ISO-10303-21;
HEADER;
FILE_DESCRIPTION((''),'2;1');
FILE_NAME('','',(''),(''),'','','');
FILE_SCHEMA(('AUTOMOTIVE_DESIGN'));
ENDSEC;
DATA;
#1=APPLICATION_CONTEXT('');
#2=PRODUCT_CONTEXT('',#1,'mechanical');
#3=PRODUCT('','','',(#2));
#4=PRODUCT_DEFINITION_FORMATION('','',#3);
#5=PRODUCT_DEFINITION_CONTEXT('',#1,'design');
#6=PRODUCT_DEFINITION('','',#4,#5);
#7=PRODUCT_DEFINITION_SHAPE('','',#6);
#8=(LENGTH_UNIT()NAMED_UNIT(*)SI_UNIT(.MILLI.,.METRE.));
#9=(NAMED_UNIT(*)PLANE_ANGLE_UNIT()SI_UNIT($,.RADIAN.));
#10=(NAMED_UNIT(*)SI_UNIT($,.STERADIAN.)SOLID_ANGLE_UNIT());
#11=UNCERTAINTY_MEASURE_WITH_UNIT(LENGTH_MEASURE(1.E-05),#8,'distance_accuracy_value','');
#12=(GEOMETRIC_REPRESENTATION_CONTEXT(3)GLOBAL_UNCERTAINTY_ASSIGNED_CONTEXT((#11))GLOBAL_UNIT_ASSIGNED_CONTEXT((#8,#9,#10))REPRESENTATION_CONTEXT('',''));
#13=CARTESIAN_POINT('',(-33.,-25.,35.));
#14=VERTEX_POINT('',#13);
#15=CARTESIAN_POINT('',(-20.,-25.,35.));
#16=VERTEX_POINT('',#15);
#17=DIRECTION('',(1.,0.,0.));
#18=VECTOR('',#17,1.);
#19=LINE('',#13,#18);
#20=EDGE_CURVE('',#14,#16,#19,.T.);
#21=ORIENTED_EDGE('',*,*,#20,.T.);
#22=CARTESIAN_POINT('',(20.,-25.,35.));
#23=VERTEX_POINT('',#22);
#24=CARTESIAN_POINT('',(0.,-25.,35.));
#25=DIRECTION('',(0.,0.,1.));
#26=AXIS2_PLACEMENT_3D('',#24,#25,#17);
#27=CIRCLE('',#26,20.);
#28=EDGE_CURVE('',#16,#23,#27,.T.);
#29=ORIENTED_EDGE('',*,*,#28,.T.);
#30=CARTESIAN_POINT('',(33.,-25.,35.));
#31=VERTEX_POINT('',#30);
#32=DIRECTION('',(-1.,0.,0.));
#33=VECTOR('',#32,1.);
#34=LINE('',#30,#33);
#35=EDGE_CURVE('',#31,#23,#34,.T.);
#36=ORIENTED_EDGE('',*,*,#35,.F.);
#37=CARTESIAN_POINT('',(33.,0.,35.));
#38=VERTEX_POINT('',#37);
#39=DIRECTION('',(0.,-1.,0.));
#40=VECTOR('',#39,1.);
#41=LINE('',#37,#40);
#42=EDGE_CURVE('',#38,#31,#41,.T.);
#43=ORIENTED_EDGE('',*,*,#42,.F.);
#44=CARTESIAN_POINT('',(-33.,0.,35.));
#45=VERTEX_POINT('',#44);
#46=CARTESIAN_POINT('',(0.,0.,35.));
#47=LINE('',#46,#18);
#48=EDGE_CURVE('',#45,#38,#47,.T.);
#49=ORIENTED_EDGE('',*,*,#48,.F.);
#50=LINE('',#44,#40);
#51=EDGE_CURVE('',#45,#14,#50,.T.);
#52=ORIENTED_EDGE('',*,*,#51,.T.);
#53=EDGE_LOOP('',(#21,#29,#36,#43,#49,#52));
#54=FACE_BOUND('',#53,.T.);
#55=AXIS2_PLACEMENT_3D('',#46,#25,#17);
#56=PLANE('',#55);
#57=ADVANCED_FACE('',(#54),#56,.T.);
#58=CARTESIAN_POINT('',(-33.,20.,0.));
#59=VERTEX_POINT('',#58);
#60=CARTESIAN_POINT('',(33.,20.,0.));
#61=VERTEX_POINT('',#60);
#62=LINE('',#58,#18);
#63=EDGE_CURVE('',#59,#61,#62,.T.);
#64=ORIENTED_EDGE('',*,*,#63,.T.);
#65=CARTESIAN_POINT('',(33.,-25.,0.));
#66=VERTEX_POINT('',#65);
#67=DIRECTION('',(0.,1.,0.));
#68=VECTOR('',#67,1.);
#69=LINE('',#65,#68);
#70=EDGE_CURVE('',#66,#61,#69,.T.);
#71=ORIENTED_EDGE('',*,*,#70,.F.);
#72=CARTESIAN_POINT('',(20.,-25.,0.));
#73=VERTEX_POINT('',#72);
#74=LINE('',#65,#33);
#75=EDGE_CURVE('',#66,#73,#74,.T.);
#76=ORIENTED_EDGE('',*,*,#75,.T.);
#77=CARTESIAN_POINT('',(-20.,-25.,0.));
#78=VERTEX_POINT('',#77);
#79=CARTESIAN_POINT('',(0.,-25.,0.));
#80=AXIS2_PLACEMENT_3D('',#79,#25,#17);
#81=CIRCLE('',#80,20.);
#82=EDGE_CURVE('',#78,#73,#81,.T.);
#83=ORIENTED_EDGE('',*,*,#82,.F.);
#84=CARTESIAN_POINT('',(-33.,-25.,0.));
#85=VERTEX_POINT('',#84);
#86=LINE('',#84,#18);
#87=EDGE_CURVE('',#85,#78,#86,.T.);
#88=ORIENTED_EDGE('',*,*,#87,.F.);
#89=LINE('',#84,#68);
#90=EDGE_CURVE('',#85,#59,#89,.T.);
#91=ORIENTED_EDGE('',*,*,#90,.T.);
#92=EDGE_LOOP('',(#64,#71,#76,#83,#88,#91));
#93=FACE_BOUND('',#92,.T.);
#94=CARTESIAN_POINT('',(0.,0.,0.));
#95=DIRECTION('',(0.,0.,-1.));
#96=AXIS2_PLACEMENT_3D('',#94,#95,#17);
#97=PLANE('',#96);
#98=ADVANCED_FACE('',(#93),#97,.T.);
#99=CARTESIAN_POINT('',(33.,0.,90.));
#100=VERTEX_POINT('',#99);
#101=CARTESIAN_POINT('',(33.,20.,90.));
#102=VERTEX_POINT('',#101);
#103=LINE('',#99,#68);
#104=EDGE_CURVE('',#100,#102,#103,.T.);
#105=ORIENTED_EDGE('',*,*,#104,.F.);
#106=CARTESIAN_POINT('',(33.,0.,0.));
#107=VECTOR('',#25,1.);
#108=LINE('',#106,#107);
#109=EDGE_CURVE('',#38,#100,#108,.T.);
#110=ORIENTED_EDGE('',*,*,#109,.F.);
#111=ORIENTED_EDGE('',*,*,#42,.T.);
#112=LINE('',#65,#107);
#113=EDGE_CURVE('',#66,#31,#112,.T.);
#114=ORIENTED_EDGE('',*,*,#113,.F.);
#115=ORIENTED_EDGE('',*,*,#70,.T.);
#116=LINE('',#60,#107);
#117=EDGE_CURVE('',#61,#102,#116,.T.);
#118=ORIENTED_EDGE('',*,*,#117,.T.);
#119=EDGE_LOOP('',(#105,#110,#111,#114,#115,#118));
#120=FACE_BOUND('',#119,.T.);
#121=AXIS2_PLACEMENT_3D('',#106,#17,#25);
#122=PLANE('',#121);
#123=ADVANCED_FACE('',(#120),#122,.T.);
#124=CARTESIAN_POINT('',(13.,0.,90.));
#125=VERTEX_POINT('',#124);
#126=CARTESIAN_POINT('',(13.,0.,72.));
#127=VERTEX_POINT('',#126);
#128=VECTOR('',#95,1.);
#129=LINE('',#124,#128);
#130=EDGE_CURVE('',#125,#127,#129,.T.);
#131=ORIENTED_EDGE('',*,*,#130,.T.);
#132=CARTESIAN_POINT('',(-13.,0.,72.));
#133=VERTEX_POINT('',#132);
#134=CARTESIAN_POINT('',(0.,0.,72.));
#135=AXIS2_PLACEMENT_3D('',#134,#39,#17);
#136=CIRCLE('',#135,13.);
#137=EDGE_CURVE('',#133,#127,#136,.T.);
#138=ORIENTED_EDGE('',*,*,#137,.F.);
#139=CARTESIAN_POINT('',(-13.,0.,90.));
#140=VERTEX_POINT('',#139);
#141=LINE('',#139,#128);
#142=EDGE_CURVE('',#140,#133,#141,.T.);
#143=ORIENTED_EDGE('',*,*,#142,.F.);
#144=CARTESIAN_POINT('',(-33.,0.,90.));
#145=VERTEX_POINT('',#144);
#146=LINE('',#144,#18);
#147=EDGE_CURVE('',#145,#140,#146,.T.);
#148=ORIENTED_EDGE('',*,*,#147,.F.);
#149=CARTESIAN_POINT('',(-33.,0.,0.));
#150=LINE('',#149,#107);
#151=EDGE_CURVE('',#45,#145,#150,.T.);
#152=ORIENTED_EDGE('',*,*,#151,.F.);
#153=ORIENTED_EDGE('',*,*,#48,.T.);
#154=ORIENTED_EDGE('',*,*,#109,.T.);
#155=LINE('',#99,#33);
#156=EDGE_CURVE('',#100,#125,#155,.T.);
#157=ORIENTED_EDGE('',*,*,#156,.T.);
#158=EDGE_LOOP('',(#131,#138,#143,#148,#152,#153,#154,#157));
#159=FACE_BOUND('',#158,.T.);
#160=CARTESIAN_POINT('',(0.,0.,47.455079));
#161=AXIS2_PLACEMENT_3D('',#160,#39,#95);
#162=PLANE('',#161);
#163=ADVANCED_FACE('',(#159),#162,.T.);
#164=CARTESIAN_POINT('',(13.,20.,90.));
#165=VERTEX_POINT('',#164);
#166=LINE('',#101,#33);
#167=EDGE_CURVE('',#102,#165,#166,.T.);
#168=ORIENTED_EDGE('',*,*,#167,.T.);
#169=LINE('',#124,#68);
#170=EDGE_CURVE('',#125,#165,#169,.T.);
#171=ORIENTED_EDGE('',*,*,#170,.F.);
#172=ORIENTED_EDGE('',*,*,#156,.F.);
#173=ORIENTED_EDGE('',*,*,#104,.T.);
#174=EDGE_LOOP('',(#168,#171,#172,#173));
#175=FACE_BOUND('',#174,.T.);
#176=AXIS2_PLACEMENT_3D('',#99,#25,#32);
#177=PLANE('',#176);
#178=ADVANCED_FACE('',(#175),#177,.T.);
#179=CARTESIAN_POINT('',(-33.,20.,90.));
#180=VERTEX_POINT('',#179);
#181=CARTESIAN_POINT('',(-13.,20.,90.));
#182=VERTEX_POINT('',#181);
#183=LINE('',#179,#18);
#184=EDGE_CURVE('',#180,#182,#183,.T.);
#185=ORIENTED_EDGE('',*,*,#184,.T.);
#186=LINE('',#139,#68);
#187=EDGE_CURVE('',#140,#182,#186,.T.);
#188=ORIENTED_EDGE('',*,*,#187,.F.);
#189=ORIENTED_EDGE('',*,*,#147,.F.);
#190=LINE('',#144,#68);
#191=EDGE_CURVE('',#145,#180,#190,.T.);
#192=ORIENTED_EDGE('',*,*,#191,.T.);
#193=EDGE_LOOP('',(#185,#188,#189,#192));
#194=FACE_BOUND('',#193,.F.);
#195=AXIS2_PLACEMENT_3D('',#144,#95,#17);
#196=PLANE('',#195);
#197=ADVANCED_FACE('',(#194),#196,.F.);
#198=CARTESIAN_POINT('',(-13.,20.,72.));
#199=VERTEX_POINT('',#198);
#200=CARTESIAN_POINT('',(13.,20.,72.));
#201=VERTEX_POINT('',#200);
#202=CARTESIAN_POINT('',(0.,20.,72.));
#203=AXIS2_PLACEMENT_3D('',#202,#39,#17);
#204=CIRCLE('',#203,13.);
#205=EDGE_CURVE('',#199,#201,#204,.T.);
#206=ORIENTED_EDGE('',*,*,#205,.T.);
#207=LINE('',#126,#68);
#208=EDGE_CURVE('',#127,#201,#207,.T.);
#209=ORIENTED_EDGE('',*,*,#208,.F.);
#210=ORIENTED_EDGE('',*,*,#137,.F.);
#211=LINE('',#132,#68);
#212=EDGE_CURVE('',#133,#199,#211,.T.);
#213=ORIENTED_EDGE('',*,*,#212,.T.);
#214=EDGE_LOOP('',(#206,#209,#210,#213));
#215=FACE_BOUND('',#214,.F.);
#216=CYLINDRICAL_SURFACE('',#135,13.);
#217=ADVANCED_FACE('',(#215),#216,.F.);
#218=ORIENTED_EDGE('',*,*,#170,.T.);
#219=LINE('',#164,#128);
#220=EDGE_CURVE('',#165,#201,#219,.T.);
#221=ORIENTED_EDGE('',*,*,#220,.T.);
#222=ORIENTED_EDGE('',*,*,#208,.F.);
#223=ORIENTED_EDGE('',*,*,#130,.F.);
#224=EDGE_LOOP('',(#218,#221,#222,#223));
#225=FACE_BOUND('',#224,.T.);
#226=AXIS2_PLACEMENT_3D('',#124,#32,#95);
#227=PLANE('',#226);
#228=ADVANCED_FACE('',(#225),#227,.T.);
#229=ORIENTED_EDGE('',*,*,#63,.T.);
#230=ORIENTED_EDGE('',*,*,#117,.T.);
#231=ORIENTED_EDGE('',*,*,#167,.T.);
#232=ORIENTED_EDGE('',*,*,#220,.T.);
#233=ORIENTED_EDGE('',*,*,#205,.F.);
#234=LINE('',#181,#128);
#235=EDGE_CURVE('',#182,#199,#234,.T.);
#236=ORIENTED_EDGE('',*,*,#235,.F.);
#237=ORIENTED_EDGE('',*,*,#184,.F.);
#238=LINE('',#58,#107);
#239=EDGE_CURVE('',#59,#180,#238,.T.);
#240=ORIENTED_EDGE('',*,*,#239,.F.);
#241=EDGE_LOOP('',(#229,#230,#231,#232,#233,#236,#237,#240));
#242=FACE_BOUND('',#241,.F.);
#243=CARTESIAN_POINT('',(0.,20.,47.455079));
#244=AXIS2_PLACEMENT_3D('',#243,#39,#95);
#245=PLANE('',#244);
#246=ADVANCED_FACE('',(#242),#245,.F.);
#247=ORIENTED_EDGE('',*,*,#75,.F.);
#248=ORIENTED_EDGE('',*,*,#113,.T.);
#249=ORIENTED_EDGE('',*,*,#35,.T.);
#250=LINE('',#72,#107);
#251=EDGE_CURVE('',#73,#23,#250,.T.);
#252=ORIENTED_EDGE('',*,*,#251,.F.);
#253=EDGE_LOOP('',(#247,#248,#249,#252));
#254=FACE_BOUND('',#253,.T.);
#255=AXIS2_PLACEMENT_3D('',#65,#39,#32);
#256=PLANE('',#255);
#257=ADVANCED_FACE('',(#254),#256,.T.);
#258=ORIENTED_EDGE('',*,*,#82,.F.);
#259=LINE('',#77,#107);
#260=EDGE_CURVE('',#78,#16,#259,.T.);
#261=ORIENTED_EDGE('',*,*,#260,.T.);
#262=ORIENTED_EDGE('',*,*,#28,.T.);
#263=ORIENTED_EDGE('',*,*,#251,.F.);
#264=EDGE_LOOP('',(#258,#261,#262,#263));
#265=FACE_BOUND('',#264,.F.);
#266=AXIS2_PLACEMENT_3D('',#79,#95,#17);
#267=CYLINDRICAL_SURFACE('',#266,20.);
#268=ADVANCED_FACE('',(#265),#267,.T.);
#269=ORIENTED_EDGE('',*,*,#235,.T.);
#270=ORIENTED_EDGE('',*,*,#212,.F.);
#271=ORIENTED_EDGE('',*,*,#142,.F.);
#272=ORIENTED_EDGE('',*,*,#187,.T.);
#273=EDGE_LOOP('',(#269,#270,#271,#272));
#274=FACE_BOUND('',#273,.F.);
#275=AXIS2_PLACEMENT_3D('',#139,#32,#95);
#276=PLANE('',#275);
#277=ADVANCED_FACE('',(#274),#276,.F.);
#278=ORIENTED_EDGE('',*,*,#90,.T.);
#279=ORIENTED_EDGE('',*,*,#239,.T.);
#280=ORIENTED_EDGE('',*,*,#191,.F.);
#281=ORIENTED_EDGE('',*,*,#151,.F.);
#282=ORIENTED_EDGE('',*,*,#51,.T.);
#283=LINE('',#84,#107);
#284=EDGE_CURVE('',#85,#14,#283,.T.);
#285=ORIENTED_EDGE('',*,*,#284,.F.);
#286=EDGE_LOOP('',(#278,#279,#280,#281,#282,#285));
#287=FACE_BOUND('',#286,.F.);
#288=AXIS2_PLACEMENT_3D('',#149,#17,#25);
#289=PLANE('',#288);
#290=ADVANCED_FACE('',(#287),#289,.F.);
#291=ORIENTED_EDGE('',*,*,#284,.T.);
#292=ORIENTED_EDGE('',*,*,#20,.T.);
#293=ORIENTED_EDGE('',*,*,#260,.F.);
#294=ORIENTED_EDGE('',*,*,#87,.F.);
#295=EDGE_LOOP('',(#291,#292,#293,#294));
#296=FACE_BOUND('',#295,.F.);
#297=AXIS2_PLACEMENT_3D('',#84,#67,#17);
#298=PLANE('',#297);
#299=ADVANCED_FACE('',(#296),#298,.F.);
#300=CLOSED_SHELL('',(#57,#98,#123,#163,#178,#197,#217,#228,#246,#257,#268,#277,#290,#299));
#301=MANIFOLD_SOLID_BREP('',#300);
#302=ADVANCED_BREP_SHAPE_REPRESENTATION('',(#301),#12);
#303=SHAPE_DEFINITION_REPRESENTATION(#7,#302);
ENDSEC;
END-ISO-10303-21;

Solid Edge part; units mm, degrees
sketch "Sketch1" plane through (0, 0, 0) normal (0, -1, 0) x (1, 0, 0)
  line L0 (33, 0) -> (33, 90)
  line L1 (33, 90) -> (13, 90)
  line L2 (13, 90) -> (13, 72)
  arc A0 (-13, 72) -> (13, 72) centre (0, 72) ccw
  line L3 (-13, 90) -> (-13, 72)
  line L4 (-33, 90) -> (-13, 90)
  line L5 (-33, 0) -> (-33, 90)
  line L6 (0, 0) -> (-33, 0)
  line L7 (0, 0) -> (33, 0)
extrude "Protrusion1" add sketch "Sketch1" against normal blind 20
sketch "Sketch2" plane through (0, 0, 0) normal (0, 0, 1) x (1, 0, 0)
  line L0 (33, 0) -> (33, -25)
  line L1 (33, -25) -> (20, -25)
  arc A0 (-20, -25) -> (20, -25) centre (0, -25) ccw
  line L2 (-33, -25) -> (-20, -25)
  line L3 (-33, 0) -> (-33, -25)
extrude "ExtrudedProtrusion_2" add sketch "Sketch2" along normal blind 35 material side at (32.95, -12.5, 0)
